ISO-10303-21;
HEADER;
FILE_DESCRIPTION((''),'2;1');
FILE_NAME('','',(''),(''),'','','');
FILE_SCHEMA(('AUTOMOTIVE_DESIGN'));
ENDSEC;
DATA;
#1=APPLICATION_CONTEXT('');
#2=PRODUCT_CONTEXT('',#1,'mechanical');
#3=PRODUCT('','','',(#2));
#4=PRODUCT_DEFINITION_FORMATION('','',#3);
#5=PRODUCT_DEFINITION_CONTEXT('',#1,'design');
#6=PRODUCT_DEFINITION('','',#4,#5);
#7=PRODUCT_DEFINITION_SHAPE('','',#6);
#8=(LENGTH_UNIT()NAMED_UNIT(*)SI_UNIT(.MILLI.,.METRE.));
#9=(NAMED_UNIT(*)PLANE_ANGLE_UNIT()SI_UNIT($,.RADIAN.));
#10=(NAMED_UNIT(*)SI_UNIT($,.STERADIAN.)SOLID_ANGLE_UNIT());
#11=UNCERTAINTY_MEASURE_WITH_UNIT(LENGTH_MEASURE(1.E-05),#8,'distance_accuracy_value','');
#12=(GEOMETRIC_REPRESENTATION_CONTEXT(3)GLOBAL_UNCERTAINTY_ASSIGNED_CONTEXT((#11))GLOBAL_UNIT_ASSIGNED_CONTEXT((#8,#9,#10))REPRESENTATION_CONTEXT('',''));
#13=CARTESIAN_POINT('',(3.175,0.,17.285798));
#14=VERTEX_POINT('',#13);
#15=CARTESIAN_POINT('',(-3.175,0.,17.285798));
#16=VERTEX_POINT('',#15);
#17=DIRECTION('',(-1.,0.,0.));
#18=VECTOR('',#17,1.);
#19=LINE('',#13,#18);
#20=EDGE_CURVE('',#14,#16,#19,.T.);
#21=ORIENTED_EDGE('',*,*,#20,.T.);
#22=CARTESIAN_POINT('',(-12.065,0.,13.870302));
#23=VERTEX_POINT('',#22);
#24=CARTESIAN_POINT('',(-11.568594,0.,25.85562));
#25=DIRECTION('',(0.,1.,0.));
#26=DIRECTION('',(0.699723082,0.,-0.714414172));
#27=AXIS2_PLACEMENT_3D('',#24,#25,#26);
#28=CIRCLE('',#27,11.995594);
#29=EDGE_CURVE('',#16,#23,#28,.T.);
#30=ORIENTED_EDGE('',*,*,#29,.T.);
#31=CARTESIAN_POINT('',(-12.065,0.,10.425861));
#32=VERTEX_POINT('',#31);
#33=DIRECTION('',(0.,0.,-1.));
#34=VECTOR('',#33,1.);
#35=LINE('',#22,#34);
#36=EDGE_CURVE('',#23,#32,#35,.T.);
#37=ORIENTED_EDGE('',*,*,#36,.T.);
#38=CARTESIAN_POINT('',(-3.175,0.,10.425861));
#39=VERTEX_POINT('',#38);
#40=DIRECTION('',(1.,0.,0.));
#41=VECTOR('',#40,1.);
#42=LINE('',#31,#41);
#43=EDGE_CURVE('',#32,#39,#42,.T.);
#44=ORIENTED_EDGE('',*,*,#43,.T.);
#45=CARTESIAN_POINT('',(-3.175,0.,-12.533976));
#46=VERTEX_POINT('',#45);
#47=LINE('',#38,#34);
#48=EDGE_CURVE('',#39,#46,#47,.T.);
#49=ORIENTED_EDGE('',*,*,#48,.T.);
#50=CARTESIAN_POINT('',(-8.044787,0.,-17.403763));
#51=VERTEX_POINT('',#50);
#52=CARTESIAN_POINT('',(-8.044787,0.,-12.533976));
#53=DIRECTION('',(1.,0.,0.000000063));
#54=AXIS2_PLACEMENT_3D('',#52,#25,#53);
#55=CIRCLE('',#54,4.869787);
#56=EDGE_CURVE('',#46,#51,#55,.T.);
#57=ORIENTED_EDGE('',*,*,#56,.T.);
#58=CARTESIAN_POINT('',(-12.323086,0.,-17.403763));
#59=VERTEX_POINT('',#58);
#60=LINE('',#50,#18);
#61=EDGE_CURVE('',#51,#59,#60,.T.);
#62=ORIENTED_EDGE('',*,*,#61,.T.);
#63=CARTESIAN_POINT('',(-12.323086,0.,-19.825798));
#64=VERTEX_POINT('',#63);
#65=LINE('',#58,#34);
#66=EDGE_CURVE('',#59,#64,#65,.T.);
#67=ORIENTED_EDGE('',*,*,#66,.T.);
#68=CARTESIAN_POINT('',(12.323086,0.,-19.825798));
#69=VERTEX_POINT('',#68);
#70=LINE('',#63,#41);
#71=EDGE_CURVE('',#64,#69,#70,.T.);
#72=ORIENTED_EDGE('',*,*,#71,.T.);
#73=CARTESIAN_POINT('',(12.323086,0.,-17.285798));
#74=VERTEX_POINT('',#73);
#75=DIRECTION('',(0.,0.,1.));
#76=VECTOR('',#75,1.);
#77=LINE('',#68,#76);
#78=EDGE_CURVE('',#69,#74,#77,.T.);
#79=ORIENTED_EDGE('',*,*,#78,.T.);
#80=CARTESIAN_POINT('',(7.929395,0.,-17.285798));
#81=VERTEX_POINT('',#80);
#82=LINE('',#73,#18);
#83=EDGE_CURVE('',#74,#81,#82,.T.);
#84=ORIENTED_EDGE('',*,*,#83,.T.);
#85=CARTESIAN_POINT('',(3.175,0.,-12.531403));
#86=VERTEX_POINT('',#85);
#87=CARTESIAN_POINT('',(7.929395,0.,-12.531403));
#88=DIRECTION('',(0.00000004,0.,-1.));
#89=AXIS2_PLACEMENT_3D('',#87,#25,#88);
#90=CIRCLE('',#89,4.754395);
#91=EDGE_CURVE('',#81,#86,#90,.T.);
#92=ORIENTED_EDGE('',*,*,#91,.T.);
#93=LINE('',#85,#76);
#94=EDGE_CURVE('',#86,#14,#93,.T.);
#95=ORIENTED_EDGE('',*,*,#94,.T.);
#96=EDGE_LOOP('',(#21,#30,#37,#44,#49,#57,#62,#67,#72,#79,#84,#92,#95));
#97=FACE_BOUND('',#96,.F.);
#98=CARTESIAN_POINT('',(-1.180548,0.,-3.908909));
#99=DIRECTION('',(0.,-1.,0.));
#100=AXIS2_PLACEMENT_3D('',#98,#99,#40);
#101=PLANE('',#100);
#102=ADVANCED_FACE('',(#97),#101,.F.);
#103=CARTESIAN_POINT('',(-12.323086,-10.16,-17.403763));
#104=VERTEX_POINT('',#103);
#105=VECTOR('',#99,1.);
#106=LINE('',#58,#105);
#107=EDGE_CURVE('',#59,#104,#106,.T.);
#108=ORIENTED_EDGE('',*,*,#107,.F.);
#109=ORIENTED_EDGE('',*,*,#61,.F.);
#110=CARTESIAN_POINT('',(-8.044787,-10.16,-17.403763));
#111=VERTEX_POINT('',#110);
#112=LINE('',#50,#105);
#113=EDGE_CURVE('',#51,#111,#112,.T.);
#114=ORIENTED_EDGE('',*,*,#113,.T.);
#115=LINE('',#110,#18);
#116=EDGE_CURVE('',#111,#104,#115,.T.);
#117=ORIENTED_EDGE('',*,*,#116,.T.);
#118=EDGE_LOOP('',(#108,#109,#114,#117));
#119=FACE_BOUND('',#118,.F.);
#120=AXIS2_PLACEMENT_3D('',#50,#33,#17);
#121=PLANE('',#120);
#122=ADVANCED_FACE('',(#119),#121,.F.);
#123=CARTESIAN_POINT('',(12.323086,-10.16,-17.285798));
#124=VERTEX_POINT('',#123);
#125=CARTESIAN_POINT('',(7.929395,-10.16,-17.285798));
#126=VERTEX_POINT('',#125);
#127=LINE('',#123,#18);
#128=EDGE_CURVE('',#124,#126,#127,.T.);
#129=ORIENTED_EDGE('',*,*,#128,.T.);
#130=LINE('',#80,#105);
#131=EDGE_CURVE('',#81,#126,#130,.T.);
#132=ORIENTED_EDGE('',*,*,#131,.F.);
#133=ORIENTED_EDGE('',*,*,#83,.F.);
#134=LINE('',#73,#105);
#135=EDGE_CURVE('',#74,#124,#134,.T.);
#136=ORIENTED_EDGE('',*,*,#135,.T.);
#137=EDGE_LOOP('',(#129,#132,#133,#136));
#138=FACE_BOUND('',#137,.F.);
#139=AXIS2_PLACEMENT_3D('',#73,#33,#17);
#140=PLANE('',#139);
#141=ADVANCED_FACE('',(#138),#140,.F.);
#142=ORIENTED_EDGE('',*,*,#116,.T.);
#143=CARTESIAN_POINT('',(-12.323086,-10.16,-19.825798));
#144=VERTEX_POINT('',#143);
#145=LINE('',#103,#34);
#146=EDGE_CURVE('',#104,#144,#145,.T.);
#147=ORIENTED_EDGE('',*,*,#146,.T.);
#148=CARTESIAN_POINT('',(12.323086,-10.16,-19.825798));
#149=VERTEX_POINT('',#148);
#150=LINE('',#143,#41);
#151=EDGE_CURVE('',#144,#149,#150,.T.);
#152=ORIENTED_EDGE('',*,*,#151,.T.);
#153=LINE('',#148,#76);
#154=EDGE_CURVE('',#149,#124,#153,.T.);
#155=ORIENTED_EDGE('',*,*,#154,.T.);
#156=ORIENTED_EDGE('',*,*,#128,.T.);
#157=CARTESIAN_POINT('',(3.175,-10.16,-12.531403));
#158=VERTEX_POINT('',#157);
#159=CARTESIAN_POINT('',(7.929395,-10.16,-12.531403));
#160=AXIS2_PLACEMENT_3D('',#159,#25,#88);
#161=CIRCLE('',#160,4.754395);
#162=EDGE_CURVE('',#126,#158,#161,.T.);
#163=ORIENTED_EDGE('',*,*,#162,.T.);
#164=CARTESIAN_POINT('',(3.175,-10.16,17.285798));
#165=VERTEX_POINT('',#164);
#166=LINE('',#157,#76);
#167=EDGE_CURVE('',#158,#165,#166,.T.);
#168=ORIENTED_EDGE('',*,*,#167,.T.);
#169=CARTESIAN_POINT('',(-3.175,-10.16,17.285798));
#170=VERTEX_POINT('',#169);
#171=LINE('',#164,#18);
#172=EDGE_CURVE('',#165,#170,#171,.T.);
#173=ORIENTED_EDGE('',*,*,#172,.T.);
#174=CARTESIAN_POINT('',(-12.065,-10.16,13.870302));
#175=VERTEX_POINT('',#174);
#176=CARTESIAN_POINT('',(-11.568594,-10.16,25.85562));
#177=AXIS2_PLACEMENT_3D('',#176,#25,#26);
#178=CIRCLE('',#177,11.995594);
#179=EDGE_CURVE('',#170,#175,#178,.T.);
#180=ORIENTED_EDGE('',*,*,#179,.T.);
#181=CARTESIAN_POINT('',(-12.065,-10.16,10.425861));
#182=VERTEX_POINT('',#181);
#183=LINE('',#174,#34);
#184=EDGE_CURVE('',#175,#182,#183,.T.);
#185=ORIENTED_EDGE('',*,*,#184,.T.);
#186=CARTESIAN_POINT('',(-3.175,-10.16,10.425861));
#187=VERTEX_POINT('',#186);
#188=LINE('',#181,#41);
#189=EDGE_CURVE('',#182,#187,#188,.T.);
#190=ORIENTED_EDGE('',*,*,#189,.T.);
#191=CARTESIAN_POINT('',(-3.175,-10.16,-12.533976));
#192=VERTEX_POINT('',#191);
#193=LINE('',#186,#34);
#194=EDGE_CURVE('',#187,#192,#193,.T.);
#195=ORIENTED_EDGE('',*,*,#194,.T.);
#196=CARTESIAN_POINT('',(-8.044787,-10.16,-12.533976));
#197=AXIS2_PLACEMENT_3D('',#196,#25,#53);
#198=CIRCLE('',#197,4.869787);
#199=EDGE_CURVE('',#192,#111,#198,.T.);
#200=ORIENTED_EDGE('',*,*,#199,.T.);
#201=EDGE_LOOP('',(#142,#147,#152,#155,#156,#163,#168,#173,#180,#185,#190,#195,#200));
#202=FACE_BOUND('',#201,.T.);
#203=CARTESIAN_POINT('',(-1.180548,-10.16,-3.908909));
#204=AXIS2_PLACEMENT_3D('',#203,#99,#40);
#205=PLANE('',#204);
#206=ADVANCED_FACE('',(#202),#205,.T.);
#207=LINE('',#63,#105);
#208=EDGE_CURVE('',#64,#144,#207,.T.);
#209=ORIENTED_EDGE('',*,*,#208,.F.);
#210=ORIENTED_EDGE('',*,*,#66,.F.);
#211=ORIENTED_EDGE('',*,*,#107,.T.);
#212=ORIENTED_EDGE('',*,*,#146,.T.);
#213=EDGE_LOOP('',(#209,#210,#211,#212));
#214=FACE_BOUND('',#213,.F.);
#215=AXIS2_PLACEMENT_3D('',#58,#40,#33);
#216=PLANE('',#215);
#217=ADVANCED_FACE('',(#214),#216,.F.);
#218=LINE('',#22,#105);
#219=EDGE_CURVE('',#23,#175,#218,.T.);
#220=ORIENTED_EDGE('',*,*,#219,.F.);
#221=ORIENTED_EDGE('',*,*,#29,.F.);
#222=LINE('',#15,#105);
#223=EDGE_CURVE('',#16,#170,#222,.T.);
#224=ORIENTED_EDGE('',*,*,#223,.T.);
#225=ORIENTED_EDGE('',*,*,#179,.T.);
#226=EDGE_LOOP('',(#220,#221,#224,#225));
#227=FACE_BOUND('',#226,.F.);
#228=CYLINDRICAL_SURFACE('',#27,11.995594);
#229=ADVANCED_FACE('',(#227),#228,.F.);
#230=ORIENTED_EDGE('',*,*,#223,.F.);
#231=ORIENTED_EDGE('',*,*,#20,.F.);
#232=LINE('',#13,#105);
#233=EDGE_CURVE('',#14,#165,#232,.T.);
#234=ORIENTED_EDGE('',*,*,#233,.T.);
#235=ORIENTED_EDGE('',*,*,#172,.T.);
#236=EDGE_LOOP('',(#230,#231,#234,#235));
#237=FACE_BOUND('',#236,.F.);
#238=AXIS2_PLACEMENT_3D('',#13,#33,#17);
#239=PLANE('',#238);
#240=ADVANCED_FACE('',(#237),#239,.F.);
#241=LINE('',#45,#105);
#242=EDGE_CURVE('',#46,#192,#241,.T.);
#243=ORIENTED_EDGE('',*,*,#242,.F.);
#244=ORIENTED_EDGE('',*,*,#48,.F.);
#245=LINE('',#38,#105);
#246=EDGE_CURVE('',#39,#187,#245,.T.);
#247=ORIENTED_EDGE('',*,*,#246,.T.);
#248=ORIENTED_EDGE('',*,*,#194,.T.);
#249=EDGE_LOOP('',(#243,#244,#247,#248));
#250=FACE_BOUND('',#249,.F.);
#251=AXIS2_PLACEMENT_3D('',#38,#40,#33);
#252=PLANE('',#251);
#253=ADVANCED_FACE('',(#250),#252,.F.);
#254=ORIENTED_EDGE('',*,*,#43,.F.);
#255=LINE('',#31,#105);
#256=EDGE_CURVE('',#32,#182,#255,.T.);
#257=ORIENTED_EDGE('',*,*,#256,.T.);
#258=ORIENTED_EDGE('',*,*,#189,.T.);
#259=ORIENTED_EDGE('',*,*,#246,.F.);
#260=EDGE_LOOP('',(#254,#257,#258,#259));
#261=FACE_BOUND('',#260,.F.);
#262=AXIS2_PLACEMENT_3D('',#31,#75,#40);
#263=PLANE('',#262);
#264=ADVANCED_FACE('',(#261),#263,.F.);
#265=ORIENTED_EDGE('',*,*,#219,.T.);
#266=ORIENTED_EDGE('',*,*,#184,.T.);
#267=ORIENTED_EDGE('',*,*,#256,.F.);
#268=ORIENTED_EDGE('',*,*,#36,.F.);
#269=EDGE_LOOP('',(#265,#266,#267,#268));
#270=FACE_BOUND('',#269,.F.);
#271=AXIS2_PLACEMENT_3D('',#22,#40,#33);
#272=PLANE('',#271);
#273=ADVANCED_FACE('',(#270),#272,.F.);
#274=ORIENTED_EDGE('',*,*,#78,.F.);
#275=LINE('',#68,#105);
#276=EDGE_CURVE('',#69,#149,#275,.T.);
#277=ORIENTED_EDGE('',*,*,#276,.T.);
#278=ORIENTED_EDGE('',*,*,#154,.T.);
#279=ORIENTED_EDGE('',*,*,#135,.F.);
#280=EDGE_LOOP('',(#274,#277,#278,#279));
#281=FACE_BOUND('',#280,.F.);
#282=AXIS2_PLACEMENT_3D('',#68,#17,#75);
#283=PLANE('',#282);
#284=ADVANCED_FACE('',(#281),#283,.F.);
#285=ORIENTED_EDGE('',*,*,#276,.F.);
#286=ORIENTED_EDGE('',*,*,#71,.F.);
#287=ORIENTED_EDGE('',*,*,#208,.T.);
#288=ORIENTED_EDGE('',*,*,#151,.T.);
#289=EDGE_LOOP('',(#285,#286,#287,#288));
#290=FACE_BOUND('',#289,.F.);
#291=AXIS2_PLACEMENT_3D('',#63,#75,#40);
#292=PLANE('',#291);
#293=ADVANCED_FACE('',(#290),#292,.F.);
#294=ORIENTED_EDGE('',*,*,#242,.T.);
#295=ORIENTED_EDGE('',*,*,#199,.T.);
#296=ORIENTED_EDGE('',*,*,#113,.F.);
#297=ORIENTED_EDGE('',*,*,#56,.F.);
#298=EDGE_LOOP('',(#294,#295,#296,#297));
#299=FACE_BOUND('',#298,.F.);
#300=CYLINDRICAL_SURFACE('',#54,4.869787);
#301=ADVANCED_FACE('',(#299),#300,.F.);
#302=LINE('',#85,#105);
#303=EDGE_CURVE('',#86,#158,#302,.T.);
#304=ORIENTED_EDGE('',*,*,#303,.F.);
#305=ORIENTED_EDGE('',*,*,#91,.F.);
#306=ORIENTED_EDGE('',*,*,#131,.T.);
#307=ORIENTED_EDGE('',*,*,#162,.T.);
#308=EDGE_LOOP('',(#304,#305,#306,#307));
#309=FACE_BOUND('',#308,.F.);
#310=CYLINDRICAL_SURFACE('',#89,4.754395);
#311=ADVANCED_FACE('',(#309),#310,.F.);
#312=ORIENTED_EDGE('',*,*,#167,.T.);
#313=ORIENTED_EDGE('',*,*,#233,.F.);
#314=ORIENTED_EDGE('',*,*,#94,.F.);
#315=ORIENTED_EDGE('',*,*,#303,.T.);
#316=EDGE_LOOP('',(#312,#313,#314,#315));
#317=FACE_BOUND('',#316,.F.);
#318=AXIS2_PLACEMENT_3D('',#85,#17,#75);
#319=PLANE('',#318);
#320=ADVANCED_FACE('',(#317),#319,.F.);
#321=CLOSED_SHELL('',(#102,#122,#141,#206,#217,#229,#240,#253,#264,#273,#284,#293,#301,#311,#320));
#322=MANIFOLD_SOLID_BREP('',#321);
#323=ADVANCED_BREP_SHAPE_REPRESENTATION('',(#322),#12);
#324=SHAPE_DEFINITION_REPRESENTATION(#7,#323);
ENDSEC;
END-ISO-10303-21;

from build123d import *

# Parameters (mm, degrees)
F1_DEPTH = 10.16


with BuildPart() as f1:
    # F0 (on Front) → F1 (new body)
    with BuildSketch(Plane.XZ):
        with BuildLine():
            Line((3.175, -12.531403), (3.175, 17.285798))
            Line((3.175, 17.285798), (-3.175, 17.285798))
            ThreePointArc((-3.175, 17.285798), (-7.266525, 14.65801), (-12.065, 13.870302))
            Line((-12.065, 13.870302), (-12.065, 10.425861))
            Line((-12.065, 10.425861), (-3.175, 10.425861))
            Line((-3.175, 10.425861), (-3.175, -12.533976))
            ThreePointArc((-3.175, -12.533976), (-4.601328, -15.977436), (-8.044787, -17.403763))
            Line((-8.044787, -17.403763), (-12.323086, -17.403763))
            Line((-12.323086, -17.403763), (-12.323086, -19.825798))
            Line((-12.323086, -19.825798), (0, -19.825798))
            Line((0, -19.825798), (12.323086, -19.825798))
            Line((12.323086, -19.825798), (12.323086, -17.285798))
            Line((12.323086, -17.285798), (7.929395, -17.285798))
            ThreePointArc((7.929395, -17.285798), (4.56753, -15.893268), (3.175, -12.531403))
        make_face()
    extrude(amount=F1_DEPTH)


solid = f1.part
